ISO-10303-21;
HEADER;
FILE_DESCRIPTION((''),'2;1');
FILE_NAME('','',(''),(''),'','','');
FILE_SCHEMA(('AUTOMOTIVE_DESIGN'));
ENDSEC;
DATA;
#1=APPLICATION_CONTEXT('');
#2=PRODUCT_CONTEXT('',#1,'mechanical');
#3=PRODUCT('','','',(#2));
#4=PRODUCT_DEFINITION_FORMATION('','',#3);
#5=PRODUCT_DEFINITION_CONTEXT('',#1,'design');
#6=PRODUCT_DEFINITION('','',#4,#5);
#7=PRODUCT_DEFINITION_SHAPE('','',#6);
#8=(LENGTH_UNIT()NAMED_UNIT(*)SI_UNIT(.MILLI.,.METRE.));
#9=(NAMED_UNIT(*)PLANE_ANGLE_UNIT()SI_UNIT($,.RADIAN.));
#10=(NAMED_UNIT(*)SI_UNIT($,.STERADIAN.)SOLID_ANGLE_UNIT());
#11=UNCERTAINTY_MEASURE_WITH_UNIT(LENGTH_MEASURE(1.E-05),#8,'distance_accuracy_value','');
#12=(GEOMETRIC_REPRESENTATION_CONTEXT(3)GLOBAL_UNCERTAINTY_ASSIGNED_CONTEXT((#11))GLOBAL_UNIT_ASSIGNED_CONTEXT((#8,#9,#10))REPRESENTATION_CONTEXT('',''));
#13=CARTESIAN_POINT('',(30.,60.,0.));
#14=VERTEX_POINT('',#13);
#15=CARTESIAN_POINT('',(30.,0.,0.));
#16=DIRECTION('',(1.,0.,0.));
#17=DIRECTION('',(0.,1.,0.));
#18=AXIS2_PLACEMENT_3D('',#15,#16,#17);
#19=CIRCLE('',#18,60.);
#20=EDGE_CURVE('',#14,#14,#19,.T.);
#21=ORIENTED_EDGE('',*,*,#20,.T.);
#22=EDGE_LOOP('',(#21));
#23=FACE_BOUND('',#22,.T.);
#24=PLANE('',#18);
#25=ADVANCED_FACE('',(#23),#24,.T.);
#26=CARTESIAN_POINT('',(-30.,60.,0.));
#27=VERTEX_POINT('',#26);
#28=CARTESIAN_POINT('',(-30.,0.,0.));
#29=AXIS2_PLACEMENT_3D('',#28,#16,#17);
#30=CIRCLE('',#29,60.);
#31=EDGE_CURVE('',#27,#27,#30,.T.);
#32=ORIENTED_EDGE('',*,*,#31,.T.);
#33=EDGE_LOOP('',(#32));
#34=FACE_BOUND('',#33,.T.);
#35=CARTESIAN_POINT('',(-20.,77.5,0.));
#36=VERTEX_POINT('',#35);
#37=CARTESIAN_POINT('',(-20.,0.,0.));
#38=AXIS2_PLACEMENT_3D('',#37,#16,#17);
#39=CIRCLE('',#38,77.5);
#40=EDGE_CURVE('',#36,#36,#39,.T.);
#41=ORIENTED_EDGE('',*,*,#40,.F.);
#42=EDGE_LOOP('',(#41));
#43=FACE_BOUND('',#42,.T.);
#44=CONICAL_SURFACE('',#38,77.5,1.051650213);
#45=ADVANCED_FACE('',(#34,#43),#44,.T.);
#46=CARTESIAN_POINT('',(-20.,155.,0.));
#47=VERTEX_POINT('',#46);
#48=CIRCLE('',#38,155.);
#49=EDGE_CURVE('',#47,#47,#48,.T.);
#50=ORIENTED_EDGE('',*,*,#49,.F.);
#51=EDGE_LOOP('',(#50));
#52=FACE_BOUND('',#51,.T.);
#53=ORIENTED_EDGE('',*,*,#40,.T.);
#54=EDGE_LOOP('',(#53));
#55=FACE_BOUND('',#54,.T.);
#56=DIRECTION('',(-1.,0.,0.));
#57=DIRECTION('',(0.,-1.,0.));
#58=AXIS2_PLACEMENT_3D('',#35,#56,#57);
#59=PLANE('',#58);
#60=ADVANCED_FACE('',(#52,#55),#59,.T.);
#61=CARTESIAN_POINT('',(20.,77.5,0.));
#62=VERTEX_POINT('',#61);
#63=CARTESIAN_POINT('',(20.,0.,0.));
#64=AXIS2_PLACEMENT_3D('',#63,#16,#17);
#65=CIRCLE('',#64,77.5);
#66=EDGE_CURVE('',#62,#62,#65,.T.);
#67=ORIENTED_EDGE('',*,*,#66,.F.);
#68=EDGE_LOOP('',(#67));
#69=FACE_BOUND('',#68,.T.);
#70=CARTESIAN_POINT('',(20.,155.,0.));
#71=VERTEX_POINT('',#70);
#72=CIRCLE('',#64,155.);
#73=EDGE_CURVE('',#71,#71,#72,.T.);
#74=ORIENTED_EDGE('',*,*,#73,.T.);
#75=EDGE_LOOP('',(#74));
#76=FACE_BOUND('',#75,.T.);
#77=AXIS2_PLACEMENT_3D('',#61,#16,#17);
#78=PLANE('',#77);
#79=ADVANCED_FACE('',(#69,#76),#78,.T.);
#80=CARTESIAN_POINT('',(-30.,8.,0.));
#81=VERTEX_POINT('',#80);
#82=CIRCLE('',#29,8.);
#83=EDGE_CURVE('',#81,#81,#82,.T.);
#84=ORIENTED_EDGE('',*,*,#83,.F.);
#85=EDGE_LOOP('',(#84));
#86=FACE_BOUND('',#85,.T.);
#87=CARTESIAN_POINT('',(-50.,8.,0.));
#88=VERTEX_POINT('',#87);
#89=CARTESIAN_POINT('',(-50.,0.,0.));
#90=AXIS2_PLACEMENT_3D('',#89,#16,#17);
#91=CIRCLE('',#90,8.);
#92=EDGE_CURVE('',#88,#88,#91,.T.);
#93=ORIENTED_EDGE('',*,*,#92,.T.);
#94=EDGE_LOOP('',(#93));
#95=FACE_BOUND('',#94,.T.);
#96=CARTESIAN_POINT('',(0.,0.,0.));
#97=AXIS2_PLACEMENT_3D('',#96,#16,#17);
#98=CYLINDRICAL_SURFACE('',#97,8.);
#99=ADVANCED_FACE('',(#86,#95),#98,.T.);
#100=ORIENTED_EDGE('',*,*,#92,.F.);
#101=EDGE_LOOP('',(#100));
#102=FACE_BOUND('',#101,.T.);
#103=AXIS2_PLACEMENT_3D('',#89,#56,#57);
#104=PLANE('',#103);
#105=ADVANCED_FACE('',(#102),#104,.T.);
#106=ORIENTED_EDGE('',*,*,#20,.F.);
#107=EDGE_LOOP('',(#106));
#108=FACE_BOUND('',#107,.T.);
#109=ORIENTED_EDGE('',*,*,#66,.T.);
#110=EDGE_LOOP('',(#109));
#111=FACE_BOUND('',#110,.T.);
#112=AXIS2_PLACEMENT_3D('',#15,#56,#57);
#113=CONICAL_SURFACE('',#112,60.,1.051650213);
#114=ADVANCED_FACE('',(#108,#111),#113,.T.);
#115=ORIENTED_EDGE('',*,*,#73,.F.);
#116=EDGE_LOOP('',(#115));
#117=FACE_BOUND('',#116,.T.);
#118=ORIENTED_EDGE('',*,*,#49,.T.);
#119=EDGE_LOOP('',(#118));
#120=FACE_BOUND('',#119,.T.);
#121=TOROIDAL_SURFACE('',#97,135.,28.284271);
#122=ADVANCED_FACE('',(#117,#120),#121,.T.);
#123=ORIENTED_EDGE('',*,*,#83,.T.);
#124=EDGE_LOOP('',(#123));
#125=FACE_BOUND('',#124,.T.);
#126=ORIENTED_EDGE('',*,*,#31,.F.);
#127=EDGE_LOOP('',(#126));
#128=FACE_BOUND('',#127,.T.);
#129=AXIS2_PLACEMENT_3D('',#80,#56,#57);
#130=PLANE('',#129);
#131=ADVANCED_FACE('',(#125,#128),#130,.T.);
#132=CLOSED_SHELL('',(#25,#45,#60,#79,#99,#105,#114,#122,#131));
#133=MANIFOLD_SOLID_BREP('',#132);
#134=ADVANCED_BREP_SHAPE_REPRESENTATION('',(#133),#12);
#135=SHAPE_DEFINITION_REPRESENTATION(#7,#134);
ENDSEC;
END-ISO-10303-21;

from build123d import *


with BuildPart() as part:
    # 草图1 → 旋转1 (revolve)
    with BuildSketch(Plane.XY):
        with BuildLine():
            Line((0, 0), (20, 0))
            Line((20, 0), (30, 0))
            Line((30, 0), (30, 60))
            Line((30, 60), (20, 77.5))
            Line((20, 77.5), (20, 155))
            ThreePointArc((20, 155), (0, 163.284271247), (-20, 155))
            Line((-20, 155), (-20, 77.5))
            Line((-20, 77.5), (-30, 60))
            Line((-30, 60), (-30, 8))
            Line((-30, 8), (-50, 8))
            Line((-50, 8), (-50, 0))
            Line((-50, 0), (-30, 0))
            Line((-30, 0), (-20, 0))
            Line((-20, 0), (0, 0))
        make_face()
    revolve(axis=Axis((0, 0, 0), (-1, 0, 0)))


solid = part.part
